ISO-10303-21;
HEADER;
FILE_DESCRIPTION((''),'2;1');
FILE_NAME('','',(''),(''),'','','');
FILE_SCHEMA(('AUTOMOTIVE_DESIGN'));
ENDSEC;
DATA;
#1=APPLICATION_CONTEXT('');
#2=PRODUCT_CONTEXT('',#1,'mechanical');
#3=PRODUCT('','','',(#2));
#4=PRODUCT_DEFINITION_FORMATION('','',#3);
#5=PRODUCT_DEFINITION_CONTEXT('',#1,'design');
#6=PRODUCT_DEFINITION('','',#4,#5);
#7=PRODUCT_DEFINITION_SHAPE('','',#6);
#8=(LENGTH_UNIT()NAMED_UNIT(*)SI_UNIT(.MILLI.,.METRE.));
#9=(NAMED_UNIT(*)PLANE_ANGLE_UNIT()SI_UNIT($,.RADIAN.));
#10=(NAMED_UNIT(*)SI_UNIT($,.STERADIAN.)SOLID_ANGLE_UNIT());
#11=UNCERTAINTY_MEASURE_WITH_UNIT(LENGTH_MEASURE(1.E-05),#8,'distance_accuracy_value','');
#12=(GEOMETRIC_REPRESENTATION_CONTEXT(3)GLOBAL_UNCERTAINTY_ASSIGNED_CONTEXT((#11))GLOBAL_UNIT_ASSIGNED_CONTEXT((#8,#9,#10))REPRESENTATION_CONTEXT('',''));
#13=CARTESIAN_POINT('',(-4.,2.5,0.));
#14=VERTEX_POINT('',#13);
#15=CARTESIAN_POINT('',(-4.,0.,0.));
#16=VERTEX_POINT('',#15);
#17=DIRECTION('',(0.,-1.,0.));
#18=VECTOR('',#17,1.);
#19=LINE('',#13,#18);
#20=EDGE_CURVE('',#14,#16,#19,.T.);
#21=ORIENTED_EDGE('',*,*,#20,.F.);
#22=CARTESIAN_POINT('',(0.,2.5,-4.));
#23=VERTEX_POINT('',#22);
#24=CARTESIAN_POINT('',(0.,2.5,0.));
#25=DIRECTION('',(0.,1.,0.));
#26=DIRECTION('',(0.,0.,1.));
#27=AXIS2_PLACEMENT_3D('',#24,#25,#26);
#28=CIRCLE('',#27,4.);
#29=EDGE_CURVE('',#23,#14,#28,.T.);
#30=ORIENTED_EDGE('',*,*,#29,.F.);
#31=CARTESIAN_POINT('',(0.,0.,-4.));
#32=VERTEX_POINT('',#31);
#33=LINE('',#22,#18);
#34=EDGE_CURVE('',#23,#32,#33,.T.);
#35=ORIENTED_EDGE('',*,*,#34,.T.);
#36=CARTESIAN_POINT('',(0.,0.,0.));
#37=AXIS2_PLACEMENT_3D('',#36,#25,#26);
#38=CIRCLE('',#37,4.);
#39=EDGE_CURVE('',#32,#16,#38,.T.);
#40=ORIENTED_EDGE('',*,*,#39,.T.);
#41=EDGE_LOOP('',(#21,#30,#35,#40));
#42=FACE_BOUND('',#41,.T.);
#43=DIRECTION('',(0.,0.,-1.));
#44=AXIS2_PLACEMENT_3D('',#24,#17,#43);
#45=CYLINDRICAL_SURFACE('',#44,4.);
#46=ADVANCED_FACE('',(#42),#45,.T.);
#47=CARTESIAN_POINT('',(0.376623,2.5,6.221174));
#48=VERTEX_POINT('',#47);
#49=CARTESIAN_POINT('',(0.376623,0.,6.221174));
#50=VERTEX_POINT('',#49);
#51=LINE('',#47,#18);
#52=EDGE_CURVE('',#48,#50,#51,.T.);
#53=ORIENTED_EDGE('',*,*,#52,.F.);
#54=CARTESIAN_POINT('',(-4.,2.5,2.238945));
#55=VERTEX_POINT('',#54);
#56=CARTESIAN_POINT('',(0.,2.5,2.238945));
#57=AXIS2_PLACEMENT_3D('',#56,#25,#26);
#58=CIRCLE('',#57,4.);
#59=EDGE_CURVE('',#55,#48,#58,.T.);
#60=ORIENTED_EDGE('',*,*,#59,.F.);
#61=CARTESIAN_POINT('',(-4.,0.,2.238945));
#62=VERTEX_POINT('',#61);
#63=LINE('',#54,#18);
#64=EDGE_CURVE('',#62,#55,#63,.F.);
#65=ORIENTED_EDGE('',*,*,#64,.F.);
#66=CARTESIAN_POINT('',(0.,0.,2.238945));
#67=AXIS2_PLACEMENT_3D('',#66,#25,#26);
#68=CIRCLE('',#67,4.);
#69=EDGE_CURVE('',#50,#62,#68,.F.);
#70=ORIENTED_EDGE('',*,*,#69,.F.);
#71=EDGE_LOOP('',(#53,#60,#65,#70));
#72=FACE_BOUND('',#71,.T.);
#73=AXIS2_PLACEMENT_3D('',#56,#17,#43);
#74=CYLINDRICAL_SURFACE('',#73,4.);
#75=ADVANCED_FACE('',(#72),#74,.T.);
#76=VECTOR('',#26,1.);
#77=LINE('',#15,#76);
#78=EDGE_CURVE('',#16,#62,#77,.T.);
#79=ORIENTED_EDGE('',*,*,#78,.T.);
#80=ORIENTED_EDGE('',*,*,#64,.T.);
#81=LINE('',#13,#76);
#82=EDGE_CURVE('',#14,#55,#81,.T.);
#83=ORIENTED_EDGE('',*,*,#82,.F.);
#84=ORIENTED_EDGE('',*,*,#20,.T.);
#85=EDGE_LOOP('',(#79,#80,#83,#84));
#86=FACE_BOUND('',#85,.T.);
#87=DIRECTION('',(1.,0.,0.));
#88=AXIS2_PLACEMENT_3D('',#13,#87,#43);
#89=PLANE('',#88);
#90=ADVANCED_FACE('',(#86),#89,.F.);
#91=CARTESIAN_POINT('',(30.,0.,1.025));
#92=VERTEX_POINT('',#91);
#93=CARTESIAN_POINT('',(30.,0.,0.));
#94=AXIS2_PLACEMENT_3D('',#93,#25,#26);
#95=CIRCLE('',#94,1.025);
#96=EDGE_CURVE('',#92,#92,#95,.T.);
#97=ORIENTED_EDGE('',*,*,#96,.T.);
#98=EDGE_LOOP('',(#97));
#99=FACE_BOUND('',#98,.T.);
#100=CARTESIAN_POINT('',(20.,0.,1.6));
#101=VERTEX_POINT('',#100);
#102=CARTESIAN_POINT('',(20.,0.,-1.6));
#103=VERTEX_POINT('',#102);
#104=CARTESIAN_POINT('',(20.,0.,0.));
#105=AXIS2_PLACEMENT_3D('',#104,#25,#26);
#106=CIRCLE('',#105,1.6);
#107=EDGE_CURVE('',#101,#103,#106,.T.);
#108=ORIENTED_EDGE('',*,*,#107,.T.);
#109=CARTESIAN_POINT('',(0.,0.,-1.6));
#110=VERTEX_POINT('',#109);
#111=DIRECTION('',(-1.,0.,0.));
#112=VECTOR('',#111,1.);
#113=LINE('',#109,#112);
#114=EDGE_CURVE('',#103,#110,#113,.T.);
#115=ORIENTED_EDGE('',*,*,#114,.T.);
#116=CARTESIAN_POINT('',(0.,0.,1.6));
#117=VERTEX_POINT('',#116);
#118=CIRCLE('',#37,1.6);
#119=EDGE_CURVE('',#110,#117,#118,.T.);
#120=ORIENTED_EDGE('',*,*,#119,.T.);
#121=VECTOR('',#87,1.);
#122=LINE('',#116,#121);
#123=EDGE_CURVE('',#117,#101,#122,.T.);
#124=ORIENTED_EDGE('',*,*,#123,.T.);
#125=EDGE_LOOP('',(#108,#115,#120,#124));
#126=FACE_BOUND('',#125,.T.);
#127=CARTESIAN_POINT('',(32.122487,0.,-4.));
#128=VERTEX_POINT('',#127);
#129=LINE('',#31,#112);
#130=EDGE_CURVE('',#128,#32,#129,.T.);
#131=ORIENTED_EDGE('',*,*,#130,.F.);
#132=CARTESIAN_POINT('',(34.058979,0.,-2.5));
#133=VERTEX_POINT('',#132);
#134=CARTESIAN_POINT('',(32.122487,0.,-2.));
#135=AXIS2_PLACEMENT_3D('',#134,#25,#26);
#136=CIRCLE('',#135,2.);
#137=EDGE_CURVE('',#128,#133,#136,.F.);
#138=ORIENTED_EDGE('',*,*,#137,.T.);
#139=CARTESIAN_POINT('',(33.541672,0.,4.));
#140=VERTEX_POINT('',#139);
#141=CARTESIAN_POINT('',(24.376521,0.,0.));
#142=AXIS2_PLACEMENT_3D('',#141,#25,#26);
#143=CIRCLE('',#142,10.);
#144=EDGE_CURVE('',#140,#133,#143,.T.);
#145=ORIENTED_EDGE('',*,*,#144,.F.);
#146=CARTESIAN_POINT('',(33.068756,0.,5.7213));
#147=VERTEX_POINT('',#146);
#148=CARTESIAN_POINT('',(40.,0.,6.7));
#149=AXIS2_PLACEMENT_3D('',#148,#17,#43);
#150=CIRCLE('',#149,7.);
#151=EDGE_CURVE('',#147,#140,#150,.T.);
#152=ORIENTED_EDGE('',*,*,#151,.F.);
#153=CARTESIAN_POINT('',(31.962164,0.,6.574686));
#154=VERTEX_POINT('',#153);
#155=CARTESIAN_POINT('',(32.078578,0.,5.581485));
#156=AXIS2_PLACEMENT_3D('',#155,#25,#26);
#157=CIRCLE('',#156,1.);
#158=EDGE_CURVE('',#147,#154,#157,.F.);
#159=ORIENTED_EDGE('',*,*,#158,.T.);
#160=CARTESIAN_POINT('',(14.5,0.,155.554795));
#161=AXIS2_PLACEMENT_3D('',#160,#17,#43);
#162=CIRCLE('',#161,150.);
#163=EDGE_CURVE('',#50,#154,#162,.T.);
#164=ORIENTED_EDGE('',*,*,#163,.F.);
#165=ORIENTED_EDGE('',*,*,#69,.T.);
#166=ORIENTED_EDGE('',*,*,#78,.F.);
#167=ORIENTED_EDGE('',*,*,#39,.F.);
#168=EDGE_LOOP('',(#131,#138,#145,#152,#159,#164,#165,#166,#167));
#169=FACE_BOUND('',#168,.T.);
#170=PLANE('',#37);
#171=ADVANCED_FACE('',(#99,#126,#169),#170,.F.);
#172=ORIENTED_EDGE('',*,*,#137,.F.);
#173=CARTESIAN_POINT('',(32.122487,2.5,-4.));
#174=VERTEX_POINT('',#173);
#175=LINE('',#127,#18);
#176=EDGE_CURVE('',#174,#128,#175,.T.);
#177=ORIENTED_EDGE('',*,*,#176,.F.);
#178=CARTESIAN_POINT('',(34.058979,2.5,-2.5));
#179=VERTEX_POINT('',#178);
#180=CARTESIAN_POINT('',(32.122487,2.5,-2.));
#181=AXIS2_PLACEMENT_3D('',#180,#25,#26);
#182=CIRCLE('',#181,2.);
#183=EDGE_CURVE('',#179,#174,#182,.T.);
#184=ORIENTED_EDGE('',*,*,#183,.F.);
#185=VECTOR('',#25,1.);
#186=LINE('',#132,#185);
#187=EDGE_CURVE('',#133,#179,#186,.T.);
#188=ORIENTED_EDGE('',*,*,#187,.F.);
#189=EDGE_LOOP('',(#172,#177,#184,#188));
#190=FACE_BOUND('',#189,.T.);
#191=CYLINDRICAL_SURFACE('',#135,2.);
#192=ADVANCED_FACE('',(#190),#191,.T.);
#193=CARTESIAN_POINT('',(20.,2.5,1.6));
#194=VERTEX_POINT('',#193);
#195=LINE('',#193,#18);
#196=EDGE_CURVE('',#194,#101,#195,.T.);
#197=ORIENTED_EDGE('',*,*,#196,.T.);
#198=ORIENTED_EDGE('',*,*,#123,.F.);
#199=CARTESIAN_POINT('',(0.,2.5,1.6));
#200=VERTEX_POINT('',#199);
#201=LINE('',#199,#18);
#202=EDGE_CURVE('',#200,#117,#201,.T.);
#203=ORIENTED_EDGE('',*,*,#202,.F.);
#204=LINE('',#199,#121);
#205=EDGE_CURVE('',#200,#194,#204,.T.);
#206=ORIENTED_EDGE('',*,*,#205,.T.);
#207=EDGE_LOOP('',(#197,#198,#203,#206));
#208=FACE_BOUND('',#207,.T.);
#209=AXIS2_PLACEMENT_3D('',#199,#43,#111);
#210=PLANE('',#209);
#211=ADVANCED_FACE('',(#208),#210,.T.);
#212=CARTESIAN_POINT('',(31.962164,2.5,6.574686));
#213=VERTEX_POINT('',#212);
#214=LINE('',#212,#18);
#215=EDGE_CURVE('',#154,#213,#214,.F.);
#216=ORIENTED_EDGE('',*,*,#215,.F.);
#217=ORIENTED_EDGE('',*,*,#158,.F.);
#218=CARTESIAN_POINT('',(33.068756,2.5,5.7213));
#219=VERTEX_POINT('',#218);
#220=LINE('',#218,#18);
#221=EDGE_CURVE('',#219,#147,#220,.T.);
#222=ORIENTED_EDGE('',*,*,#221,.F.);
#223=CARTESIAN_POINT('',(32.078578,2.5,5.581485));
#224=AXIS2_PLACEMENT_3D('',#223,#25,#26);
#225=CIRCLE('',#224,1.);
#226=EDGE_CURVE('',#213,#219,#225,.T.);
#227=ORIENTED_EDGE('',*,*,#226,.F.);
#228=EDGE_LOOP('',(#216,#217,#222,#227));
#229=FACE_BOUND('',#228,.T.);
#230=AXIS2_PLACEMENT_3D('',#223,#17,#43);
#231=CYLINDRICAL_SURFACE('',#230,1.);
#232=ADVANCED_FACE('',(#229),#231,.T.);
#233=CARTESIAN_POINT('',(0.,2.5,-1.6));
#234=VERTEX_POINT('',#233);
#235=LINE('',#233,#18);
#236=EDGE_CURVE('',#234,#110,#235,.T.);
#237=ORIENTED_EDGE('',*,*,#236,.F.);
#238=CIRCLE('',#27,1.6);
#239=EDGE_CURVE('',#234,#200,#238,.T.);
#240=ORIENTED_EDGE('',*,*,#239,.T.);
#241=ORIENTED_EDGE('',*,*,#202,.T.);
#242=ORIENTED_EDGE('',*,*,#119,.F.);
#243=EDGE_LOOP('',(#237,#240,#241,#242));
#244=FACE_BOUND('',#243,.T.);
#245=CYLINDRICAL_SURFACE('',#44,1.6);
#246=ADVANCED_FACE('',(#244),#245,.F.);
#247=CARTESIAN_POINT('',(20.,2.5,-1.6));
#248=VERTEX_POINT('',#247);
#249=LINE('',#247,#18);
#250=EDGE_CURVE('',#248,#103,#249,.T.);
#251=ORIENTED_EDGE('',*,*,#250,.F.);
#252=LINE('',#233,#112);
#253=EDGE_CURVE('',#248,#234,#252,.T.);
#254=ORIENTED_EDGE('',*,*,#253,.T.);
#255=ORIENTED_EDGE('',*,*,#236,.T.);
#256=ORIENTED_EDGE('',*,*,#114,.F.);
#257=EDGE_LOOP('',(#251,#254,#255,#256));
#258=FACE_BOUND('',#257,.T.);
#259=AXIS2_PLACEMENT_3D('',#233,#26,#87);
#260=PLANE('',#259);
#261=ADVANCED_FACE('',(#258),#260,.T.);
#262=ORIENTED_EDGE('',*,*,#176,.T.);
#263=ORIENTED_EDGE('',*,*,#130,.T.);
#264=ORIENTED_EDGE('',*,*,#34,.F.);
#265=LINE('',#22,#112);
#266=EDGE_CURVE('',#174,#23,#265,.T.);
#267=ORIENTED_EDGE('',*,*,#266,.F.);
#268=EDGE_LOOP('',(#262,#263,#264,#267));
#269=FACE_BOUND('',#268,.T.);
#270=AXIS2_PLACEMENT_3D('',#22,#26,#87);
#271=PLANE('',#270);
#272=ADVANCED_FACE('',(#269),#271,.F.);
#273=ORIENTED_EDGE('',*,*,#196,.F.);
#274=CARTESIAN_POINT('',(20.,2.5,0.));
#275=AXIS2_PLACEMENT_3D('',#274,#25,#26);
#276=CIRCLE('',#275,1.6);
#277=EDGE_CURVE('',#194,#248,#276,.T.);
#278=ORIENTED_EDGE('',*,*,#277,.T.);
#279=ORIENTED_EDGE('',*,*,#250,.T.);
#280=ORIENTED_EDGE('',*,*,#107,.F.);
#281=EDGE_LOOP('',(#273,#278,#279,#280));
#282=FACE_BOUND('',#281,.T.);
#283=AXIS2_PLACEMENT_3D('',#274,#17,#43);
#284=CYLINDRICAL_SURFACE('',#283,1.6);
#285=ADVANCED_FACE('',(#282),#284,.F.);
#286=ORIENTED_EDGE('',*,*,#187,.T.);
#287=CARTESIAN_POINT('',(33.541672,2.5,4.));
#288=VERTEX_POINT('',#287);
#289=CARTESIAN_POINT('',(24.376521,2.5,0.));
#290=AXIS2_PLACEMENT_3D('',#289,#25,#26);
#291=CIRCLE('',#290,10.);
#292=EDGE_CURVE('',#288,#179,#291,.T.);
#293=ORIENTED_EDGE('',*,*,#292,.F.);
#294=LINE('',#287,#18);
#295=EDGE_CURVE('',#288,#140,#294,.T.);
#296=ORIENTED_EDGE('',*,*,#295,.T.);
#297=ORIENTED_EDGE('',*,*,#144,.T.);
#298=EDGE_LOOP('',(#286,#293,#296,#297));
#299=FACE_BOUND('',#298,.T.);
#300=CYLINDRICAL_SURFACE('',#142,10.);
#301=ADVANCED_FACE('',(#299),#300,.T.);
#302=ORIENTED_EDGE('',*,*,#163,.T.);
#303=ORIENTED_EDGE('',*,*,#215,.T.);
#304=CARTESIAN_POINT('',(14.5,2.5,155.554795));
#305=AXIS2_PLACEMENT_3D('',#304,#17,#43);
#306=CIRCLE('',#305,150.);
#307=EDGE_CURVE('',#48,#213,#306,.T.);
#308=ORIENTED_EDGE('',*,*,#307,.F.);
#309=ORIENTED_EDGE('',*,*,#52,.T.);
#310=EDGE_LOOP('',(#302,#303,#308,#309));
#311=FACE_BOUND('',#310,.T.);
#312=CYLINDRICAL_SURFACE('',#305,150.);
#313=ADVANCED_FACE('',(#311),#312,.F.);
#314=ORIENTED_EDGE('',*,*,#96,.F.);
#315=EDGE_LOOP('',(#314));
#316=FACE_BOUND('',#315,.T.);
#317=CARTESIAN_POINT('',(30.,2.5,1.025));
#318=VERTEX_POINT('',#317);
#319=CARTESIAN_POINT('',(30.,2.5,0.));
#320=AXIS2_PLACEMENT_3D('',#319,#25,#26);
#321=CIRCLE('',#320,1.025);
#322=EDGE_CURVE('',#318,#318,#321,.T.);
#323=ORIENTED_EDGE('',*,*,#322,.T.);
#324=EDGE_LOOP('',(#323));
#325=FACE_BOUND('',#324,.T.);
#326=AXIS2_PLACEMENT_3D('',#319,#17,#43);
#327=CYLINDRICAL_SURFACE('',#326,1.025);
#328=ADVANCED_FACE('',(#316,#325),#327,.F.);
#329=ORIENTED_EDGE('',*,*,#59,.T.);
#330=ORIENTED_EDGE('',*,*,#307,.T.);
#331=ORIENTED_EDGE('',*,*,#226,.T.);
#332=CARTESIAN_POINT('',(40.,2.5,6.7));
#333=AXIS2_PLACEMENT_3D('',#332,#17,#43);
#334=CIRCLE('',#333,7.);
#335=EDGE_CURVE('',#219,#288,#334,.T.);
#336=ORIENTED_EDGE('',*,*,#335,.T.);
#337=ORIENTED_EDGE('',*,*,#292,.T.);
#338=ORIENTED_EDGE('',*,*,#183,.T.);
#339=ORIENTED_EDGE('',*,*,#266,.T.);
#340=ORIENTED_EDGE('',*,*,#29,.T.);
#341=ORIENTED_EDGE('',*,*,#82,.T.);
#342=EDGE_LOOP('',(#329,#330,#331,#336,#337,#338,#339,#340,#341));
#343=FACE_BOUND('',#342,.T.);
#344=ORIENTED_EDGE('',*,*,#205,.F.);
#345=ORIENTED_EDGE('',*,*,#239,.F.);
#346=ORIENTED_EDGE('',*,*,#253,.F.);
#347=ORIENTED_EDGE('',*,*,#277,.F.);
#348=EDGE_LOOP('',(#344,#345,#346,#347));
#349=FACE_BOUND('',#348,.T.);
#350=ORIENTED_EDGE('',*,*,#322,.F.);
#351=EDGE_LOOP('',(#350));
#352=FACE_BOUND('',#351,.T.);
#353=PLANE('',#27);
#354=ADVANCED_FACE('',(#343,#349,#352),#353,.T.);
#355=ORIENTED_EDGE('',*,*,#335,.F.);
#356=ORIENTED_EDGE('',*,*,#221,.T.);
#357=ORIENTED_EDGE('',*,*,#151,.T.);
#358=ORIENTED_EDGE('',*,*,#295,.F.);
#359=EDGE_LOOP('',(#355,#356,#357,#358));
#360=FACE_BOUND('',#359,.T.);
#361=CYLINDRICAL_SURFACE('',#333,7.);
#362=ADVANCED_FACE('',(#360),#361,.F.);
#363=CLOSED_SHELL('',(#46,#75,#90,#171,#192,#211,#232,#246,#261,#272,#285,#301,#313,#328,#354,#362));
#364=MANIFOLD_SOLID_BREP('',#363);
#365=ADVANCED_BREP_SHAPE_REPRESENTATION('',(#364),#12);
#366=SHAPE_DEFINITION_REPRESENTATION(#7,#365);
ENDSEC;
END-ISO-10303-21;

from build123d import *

# Parameters (mm, degrees)
SKETCH_1_R          = 1.025
EXTRUDE_1_DEPTH     = 2.5
EXTRUDE_3_DEPTH     = 2.5
EXTRUDE_2_DEPTH     = 2.5
FILLET_1_R          = 4
CUT_EXTRUDE_1_DEPTH = 2.5
FILLET_3_R          = 1
FILLET_4_R          = 2


with BuildPart() as part:
    # 草图1 → 凸台-拉伸1 (new body)
    with BuildSketch(Plane(origin=(0, 0, 0), x_dir=(1, 0, 0), z_dir=(0, 1, 0))):
        with BuildLine():
            Line((0, 4), (30, 4))
            ThreePointArc((30, 4), (34, 0), (30, -4))
            Line((30, -4), (0, -4))
            ThreePointArc((0, -4), (-4, 0), (0, 4))
        make_face()
        with Locations(Location((30, 0, 0), (0, 0, 270))):
            Circle(SKETCH_1_R, mode=Mode.SUBTRACT)
        with BuildLine():
            Line((0, 1.6), (20, 1.6))
            ThreePointArc((20, 1.6), (21.6, 0), (20, -1.6))
            Line((20, -1.6), (0, -1.6))
            ThreePointArc((0, -1.6), (-1.6, 0), (0, 1.6))
        make_face(mode=Mode.SUBTRACT)
    extrude(amount=EXTRUDE_1_DEPTH)

    # 草图4 → 凸台-拉伸3 (add)
    with BuildSketch(Plane(origin=(0, 0, 0), x_dir=(1, 0, 0), z_dir=(0, 1, 0))):
        with BuildLine():
            Line((35, 4), (30, 4))
            ThreePointArc((30, 4), (34, 0), (30, -4))
            Line((30, -4), (35, -4))
            Line((35, -4), (35, 4))
        make_face()
    extrude(amount=EXTRUDE_3_DEPTH)

    # 草图2 → 凸台-拉伸2 (add)
    with BuildSketch(Plane.XZ):
        with BuildLine():
            Line((-4, 6.7), (-4, 0))
            ThreePointArc((-4, 0), (-2.828427125, 2.828427125), (0, 4))
            Line((0, 4), (33.541672043, 4))
            ThreePointArc((33.541672043, 4), (33.13675384, 5.32310053), (33, 6.7))
            ThreePointArc((33, 6.7), (14.5, 5.554795019), (-4, 6.7))
        make_face()
    extrude(amount=-EXTRUDE_2_DEPTH)

    # 圆角1
    fillet_1_edges = [part.edges().sort_by_distance(p)[0] for p in [
        (-4, 1.25, 6.7),
    ]]
    fillet(fillet_1_edges, radius=FILLET_1_R)

    # 草图5 → 切除-拉伸1 (cut)
    with BuildSketch(Plane(origin=(0, 2.5, 0), x_dir=(1, 0, 0), z_dir=(0, 1, 0))):
        with BuildLine():
            ThreePointArc((34.376520653, 0), (34.165583782, -2.043096437), (33.541672043, -4))
            Line((33.541672043, -4), (35, -4))
            Line((35, -4), (35, 4))
            Line((35, 4), (33.541672043, 4))
            ThreePointArc((33.541672043, 4), (34.165583782, 2.043096437), (34.376520653, 0))
        make_face()
    extrude(amount=-CUT_EXTRUDE_1_DEPTH, mode=Mode.SUBTRACT)

    # 圆角3
    fillet_3_edges = [part.edges().sort_by_distance(p)[0] for p in [
        (33, 1.25, 6.7),
    ]]
    fillet(fillet_3_edges, radius=FILLET_3_R)

    # 圆角4
    fillet_4_edges = [part.edges().sort_by_distance(p)[0] for p in [
        (33.541672043, 1.25, -4),
    ]]
    fillet(fillet_4_edges, radius=FILLET_4_R)


solid = part.part
